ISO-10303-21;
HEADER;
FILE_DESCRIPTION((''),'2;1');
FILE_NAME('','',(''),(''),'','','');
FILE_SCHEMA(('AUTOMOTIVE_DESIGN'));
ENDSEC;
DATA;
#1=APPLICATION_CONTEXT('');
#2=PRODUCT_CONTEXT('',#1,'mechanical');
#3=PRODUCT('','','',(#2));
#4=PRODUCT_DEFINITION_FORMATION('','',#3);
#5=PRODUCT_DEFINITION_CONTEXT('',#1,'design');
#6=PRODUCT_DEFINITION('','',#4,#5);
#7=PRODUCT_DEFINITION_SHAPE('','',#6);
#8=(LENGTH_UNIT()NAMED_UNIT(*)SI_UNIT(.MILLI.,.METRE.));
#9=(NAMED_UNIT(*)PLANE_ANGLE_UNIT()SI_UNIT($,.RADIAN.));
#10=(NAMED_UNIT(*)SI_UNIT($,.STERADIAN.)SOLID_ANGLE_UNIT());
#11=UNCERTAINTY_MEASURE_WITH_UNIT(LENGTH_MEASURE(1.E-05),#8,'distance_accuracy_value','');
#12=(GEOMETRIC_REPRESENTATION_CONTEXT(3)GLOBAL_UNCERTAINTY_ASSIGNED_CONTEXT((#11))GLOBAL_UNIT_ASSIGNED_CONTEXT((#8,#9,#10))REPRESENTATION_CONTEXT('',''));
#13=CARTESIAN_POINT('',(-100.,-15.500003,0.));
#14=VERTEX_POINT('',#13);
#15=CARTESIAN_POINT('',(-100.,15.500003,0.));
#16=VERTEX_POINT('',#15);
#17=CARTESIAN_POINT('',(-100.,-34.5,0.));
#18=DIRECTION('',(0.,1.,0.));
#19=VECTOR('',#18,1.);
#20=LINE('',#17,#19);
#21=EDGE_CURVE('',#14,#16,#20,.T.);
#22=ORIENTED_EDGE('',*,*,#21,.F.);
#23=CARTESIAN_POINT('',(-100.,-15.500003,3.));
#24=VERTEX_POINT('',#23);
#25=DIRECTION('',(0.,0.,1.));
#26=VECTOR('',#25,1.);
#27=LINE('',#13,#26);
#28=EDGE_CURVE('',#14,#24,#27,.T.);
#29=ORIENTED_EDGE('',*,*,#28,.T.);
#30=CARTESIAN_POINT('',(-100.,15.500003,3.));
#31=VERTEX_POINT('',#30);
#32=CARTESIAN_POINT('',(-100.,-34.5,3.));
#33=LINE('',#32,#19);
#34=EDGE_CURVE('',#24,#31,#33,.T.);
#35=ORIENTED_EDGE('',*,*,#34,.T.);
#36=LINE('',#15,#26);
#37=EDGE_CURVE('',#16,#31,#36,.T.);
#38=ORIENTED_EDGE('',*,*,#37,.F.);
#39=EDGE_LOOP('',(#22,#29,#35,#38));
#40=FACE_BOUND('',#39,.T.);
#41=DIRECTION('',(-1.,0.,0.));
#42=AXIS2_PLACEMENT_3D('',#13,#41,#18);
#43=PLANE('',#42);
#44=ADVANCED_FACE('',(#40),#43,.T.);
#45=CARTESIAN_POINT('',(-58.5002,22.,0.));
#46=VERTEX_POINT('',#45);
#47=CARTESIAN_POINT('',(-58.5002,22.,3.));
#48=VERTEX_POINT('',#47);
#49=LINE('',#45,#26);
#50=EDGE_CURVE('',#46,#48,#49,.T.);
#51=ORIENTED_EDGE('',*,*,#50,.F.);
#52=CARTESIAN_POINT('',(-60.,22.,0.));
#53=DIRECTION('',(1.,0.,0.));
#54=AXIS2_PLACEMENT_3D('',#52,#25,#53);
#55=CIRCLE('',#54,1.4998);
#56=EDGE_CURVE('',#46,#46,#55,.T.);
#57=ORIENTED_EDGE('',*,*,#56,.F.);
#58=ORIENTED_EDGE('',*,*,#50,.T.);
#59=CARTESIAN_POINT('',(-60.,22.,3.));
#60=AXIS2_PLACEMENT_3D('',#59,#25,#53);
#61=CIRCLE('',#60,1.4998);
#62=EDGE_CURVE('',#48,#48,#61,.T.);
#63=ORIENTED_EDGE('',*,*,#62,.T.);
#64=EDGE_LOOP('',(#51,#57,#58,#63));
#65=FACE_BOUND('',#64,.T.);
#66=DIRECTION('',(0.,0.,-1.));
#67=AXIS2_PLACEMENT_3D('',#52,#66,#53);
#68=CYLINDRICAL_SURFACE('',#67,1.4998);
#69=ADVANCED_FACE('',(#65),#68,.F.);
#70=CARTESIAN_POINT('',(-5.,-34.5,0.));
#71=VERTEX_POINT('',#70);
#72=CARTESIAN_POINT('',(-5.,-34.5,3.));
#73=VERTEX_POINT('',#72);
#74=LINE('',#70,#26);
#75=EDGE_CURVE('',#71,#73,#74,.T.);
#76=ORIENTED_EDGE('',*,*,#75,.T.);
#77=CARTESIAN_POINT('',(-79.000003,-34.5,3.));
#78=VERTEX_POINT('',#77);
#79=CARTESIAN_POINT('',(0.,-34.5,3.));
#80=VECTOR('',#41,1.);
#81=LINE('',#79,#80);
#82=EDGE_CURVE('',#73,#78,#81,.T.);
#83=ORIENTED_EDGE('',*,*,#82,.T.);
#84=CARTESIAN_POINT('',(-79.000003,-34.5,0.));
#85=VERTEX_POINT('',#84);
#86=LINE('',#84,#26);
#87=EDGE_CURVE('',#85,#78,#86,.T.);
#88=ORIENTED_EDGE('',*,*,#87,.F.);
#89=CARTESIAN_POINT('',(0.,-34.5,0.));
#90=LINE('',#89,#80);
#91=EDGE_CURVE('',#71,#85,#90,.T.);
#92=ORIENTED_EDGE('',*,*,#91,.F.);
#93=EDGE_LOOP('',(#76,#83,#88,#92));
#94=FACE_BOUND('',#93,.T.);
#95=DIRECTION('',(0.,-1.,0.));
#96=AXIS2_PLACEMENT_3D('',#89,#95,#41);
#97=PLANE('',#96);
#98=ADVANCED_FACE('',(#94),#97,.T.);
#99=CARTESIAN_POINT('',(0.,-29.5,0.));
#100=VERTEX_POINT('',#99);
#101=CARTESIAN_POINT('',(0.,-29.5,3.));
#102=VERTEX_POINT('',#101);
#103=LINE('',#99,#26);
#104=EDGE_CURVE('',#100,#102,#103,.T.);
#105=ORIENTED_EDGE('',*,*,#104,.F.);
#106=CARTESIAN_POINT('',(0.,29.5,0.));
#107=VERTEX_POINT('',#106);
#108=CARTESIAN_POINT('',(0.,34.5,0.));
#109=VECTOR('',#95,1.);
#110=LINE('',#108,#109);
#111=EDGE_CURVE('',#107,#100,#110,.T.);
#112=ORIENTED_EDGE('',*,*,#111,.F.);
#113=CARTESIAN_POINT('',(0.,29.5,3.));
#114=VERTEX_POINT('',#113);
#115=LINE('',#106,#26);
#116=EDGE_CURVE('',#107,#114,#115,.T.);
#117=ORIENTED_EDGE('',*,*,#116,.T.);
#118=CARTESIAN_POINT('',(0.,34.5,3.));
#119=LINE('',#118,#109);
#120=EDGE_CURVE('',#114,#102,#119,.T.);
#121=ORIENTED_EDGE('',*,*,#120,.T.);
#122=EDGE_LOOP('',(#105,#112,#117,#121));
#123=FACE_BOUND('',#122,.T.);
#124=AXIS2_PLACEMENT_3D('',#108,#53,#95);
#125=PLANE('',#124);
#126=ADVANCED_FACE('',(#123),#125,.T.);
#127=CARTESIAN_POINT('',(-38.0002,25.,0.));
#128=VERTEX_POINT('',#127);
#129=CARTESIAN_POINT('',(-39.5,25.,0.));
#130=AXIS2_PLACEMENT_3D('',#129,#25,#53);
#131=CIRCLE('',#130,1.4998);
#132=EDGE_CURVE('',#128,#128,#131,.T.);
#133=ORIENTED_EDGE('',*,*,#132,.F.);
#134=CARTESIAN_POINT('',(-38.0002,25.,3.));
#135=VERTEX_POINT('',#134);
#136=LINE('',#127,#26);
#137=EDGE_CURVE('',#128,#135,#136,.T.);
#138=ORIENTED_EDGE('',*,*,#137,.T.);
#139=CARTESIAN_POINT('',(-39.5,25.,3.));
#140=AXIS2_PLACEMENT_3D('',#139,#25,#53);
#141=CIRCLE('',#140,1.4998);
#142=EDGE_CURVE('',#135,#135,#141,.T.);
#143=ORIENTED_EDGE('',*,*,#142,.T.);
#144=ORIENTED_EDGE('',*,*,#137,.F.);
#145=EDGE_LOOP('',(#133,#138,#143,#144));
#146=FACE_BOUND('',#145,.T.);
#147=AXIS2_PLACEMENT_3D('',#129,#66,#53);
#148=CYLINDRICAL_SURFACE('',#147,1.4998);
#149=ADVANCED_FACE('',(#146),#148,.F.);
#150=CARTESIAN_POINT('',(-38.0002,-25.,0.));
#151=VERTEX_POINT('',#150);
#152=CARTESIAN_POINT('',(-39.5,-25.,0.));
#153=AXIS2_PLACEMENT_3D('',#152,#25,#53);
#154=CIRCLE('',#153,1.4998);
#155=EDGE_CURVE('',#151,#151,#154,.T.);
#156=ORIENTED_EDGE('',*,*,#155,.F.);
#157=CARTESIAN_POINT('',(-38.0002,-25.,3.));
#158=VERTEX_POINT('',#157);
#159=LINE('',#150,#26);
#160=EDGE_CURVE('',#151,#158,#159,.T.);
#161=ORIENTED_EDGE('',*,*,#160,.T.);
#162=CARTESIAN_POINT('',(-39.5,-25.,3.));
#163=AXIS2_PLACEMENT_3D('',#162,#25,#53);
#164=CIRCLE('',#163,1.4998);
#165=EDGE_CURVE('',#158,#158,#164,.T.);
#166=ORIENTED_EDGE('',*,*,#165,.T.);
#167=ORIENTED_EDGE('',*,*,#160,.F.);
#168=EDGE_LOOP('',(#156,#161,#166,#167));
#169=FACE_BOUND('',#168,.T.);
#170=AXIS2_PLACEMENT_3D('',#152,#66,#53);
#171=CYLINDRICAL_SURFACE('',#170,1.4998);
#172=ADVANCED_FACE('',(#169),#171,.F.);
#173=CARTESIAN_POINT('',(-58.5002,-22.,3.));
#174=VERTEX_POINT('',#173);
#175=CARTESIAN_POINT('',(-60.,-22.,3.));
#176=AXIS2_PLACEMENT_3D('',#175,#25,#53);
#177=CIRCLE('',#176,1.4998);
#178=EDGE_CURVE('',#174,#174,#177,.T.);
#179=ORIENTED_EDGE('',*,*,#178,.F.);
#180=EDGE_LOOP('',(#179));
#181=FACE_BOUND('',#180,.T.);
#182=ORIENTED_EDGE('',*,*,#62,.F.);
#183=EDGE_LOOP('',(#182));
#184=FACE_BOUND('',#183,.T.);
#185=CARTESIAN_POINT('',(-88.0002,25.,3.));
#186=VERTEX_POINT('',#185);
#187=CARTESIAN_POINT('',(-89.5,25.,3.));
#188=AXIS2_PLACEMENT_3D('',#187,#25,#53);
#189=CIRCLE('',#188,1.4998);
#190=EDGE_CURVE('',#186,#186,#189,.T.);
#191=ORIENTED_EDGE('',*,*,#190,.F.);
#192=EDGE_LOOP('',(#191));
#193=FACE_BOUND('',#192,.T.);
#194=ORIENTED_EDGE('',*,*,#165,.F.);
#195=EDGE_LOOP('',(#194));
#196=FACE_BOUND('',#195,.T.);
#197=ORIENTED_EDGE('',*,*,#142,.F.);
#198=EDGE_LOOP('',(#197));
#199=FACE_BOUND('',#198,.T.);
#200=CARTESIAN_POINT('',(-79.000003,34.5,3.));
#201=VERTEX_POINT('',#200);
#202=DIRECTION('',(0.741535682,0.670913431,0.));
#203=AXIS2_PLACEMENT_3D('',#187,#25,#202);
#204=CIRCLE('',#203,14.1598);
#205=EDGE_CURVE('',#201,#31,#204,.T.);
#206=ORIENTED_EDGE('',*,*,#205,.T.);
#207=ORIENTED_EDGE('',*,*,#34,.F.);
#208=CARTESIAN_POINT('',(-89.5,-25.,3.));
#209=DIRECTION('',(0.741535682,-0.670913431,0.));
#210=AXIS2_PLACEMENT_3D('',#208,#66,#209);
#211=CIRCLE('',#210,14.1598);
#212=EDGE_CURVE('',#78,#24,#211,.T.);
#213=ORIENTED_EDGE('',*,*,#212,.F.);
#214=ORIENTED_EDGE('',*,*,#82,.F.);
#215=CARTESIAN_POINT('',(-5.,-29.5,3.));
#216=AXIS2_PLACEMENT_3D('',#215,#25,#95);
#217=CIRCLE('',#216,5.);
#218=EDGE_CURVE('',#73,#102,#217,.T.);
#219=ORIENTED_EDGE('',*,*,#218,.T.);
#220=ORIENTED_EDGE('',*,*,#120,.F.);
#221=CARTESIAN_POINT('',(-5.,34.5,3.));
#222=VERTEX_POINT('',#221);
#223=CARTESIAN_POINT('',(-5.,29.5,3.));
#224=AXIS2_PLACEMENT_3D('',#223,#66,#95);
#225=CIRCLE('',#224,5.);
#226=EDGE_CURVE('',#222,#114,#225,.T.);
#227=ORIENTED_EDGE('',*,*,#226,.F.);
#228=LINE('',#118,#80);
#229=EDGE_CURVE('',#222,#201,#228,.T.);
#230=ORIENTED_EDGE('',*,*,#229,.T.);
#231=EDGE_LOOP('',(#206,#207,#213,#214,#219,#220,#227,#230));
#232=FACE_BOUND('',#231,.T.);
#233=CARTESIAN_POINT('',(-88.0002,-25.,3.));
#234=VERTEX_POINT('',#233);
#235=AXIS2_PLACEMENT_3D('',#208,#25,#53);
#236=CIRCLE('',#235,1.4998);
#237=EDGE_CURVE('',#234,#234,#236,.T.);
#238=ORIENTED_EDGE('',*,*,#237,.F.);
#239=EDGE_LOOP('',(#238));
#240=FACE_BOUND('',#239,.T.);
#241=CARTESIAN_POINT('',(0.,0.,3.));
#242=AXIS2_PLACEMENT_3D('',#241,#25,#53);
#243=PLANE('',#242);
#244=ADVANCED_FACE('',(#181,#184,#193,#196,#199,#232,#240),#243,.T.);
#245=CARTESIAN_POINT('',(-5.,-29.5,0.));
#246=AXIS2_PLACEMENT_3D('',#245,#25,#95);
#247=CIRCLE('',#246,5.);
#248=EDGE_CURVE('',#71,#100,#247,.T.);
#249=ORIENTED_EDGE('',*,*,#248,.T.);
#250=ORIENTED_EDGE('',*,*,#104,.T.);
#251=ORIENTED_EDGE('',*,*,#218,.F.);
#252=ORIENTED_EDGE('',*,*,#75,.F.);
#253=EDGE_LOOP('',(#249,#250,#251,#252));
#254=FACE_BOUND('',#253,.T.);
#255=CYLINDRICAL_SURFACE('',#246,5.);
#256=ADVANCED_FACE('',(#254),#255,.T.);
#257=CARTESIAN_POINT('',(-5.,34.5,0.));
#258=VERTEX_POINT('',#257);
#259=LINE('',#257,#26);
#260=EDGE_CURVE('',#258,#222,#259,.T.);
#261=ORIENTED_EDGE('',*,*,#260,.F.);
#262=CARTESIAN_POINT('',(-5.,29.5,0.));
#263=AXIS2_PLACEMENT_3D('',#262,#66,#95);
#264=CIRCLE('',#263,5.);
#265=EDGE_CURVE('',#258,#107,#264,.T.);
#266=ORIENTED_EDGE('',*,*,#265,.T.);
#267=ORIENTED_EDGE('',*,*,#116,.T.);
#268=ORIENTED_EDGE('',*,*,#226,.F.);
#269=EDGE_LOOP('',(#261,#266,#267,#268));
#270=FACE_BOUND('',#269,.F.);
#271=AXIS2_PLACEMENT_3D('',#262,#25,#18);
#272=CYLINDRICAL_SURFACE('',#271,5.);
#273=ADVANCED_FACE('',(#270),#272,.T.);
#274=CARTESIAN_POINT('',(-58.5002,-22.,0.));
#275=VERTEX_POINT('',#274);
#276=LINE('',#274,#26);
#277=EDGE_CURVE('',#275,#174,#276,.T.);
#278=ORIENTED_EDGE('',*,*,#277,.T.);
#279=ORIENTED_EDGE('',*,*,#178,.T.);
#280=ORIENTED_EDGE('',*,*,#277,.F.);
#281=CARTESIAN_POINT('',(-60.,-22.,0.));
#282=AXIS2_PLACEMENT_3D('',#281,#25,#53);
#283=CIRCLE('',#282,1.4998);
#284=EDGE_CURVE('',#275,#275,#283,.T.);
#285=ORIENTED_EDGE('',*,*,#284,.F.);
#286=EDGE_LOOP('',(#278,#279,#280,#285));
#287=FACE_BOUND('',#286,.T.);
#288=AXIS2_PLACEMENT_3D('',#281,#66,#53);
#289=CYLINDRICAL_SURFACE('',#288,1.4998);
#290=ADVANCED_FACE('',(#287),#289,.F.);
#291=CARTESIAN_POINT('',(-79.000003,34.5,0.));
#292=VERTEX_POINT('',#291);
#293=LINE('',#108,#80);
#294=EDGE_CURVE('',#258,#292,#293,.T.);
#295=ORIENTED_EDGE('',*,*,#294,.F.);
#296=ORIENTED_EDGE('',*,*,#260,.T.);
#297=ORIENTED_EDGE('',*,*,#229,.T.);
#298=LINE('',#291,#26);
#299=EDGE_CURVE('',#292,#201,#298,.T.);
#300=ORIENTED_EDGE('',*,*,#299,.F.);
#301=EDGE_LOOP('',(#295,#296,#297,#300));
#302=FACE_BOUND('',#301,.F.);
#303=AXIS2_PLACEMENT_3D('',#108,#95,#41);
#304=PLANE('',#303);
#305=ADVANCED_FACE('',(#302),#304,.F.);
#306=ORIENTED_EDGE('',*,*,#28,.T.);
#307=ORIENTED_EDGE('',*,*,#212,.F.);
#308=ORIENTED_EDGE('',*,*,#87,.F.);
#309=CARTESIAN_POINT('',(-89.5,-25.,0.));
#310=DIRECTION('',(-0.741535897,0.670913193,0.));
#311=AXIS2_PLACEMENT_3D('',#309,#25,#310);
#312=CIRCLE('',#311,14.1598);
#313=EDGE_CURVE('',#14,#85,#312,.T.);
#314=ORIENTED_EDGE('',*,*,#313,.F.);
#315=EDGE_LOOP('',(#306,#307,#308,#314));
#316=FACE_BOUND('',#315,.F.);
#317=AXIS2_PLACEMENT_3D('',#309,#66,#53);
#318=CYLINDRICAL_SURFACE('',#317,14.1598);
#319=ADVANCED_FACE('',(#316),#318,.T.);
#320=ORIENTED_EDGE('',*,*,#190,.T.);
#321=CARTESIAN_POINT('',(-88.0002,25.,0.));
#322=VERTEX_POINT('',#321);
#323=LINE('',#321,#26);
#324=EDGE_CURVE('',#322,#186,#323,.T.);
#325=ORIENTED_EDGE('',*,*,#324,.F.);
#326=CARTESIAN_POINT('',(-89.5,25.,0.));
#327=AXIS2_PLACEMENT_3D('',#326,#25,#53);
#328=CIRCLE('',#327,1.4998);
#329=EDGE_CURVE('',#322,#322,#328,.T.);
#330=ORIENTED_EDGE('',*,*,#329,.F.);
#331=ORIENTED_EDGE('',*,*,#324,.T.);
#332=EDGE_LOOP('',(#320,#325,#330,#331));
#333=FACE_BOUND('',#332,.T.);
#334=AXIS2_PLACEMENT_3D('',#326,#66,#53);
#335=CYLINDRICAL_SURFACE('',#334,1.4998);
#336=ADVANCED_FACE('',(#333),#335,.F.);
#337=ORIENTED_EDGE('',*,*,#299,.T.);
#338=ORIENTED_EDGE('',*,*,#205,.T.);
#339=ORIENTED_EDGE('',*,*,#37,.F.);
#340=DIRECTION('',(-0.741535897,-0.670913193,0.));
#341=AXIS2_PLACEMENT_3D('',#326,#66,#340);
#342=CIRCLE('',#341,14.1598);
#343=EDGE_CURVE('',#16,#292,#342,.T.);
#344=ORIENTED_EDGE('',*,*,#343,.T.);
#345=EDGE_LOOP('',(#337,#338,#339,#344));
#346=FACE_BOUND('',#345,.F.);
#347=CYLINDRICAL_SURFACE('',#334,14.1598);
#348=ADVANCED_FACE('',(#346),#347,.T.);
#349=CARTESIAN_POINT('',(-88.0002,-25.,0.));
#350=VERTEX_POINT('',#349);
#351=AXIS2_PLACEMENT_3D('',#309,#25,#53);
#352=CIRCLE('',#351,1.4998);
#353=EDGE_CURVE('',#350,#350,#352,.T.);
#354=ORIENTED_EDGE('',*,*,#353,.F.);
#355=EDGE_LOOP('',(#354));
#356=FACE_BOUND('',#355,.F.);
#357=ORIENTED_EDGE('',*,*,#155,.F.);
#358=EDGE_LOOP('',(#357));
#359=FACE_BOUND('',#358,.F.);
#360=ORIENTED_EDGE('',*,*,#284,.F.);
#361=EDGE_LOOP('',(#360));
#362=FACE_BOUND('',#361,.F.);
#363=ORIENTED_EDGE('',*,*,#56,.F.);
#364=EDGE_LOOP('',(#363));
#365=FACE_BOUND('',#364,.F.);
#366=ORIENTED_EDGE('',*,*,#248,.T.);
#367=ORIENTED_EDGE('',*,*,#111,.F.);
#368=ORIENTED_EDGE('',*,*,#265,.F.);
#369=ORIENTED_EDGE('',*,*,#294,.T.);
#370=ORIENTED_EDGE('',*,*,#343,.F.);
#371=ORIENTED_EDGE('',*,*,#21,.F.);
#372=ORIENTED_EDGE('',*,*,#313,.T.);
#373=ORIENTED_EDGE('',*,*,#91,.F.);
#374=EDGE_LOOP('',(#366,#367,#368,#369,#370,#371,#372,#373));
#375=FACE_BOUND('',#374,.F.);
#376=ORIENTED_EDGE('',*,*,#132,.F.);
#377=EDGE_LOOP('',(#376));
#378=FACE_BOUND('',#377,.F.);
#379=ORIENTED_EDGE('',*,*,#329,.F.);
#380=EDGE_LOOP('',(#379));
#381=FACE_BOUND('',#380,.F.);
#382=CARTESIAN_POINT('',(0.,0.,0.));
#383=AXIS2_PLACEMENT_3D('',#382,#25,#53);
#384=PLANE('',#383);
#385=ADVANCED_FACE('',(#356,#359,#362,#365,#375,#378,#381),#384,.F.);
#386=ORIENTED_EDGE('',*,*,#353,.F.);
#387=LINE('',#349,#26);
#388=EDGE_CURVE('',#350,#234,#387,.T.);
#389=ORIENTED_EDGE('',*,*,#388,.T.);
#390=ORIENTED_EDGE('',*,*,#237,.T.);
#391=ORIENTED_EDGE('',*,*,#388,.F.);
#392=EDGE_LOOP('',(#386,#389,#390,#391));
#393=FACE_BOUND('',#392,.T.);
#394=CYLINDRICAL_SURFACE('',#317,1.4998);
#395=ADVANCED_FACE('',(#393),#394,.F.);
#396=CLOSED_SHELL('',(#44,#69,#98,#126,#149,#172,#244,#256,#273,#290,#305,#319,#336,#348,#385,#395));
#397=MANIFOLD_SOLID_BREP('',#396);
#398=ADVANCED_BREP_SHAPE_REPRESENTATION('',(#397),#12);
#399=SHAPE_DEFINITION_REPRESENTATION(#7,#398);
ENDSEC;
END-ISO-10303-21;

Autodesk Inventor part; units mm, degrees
ref_plane "YZ Plane" through (0, 0, 0) normal (1, 0, 0) x (0, 1, 0)
ref_plane "XZ Plane" through (0, 0, 0) normal (0, 1, 0) x (-1, 0, 0)
ref_plane "XY Plane" through (0, 0, 0) normal (0, 0, 1) x (1, 0, 0)
sketch "Sketch1" plane through (0, 0, 0) normal (0, 0, 1) x (1, 0, 0)
  point P0 (0, 0)
sketch "Sketch2" plane through (0, 0, 0) normal (0, 0, 1) x (1, 0, 0)
  line L0 (-100, -34.5) -> (-100, 34.5)
  circle A0 centre (-60, 22) radius 1.4998
  circle A1 centre (-60, -22) radius 1.4998
  circle A2 centre (-89.5, 25) radius 1.4998
  circle A3 centre (-89.5, -25) radius 1.4998
  circle A4 centre (-39.5, 25) radius 1.4998
  circle A5 centre (-39.5, -25) radius 1.4998
  circle A6 centre (-89.5, 25) radius 14.1598
  circle A7 centre (-89.5, -25) radius 14.1598
  line L1 (0, 34.5) -> (0, -34.5)
  line L2 (0, 34.5) -> (-100, 34.5)
  line L3 (0, -34.5) -> (-100, -34.5)
  point P0 (-100, 15.5)
  point P1 (-100, -15.5)
  point P2 (-79, -34.5)
  point P3 (-79, 34.5)
extrude "Extrusion1" add sketch "Sketch2" along normal blind 3
fillet "Fillet1" radius 5 2 edges at (0, 34.5, 1.5) (0, -34.5, 1.5)
properties part number "Power Distribution Board redo v2" material "CFRP"
